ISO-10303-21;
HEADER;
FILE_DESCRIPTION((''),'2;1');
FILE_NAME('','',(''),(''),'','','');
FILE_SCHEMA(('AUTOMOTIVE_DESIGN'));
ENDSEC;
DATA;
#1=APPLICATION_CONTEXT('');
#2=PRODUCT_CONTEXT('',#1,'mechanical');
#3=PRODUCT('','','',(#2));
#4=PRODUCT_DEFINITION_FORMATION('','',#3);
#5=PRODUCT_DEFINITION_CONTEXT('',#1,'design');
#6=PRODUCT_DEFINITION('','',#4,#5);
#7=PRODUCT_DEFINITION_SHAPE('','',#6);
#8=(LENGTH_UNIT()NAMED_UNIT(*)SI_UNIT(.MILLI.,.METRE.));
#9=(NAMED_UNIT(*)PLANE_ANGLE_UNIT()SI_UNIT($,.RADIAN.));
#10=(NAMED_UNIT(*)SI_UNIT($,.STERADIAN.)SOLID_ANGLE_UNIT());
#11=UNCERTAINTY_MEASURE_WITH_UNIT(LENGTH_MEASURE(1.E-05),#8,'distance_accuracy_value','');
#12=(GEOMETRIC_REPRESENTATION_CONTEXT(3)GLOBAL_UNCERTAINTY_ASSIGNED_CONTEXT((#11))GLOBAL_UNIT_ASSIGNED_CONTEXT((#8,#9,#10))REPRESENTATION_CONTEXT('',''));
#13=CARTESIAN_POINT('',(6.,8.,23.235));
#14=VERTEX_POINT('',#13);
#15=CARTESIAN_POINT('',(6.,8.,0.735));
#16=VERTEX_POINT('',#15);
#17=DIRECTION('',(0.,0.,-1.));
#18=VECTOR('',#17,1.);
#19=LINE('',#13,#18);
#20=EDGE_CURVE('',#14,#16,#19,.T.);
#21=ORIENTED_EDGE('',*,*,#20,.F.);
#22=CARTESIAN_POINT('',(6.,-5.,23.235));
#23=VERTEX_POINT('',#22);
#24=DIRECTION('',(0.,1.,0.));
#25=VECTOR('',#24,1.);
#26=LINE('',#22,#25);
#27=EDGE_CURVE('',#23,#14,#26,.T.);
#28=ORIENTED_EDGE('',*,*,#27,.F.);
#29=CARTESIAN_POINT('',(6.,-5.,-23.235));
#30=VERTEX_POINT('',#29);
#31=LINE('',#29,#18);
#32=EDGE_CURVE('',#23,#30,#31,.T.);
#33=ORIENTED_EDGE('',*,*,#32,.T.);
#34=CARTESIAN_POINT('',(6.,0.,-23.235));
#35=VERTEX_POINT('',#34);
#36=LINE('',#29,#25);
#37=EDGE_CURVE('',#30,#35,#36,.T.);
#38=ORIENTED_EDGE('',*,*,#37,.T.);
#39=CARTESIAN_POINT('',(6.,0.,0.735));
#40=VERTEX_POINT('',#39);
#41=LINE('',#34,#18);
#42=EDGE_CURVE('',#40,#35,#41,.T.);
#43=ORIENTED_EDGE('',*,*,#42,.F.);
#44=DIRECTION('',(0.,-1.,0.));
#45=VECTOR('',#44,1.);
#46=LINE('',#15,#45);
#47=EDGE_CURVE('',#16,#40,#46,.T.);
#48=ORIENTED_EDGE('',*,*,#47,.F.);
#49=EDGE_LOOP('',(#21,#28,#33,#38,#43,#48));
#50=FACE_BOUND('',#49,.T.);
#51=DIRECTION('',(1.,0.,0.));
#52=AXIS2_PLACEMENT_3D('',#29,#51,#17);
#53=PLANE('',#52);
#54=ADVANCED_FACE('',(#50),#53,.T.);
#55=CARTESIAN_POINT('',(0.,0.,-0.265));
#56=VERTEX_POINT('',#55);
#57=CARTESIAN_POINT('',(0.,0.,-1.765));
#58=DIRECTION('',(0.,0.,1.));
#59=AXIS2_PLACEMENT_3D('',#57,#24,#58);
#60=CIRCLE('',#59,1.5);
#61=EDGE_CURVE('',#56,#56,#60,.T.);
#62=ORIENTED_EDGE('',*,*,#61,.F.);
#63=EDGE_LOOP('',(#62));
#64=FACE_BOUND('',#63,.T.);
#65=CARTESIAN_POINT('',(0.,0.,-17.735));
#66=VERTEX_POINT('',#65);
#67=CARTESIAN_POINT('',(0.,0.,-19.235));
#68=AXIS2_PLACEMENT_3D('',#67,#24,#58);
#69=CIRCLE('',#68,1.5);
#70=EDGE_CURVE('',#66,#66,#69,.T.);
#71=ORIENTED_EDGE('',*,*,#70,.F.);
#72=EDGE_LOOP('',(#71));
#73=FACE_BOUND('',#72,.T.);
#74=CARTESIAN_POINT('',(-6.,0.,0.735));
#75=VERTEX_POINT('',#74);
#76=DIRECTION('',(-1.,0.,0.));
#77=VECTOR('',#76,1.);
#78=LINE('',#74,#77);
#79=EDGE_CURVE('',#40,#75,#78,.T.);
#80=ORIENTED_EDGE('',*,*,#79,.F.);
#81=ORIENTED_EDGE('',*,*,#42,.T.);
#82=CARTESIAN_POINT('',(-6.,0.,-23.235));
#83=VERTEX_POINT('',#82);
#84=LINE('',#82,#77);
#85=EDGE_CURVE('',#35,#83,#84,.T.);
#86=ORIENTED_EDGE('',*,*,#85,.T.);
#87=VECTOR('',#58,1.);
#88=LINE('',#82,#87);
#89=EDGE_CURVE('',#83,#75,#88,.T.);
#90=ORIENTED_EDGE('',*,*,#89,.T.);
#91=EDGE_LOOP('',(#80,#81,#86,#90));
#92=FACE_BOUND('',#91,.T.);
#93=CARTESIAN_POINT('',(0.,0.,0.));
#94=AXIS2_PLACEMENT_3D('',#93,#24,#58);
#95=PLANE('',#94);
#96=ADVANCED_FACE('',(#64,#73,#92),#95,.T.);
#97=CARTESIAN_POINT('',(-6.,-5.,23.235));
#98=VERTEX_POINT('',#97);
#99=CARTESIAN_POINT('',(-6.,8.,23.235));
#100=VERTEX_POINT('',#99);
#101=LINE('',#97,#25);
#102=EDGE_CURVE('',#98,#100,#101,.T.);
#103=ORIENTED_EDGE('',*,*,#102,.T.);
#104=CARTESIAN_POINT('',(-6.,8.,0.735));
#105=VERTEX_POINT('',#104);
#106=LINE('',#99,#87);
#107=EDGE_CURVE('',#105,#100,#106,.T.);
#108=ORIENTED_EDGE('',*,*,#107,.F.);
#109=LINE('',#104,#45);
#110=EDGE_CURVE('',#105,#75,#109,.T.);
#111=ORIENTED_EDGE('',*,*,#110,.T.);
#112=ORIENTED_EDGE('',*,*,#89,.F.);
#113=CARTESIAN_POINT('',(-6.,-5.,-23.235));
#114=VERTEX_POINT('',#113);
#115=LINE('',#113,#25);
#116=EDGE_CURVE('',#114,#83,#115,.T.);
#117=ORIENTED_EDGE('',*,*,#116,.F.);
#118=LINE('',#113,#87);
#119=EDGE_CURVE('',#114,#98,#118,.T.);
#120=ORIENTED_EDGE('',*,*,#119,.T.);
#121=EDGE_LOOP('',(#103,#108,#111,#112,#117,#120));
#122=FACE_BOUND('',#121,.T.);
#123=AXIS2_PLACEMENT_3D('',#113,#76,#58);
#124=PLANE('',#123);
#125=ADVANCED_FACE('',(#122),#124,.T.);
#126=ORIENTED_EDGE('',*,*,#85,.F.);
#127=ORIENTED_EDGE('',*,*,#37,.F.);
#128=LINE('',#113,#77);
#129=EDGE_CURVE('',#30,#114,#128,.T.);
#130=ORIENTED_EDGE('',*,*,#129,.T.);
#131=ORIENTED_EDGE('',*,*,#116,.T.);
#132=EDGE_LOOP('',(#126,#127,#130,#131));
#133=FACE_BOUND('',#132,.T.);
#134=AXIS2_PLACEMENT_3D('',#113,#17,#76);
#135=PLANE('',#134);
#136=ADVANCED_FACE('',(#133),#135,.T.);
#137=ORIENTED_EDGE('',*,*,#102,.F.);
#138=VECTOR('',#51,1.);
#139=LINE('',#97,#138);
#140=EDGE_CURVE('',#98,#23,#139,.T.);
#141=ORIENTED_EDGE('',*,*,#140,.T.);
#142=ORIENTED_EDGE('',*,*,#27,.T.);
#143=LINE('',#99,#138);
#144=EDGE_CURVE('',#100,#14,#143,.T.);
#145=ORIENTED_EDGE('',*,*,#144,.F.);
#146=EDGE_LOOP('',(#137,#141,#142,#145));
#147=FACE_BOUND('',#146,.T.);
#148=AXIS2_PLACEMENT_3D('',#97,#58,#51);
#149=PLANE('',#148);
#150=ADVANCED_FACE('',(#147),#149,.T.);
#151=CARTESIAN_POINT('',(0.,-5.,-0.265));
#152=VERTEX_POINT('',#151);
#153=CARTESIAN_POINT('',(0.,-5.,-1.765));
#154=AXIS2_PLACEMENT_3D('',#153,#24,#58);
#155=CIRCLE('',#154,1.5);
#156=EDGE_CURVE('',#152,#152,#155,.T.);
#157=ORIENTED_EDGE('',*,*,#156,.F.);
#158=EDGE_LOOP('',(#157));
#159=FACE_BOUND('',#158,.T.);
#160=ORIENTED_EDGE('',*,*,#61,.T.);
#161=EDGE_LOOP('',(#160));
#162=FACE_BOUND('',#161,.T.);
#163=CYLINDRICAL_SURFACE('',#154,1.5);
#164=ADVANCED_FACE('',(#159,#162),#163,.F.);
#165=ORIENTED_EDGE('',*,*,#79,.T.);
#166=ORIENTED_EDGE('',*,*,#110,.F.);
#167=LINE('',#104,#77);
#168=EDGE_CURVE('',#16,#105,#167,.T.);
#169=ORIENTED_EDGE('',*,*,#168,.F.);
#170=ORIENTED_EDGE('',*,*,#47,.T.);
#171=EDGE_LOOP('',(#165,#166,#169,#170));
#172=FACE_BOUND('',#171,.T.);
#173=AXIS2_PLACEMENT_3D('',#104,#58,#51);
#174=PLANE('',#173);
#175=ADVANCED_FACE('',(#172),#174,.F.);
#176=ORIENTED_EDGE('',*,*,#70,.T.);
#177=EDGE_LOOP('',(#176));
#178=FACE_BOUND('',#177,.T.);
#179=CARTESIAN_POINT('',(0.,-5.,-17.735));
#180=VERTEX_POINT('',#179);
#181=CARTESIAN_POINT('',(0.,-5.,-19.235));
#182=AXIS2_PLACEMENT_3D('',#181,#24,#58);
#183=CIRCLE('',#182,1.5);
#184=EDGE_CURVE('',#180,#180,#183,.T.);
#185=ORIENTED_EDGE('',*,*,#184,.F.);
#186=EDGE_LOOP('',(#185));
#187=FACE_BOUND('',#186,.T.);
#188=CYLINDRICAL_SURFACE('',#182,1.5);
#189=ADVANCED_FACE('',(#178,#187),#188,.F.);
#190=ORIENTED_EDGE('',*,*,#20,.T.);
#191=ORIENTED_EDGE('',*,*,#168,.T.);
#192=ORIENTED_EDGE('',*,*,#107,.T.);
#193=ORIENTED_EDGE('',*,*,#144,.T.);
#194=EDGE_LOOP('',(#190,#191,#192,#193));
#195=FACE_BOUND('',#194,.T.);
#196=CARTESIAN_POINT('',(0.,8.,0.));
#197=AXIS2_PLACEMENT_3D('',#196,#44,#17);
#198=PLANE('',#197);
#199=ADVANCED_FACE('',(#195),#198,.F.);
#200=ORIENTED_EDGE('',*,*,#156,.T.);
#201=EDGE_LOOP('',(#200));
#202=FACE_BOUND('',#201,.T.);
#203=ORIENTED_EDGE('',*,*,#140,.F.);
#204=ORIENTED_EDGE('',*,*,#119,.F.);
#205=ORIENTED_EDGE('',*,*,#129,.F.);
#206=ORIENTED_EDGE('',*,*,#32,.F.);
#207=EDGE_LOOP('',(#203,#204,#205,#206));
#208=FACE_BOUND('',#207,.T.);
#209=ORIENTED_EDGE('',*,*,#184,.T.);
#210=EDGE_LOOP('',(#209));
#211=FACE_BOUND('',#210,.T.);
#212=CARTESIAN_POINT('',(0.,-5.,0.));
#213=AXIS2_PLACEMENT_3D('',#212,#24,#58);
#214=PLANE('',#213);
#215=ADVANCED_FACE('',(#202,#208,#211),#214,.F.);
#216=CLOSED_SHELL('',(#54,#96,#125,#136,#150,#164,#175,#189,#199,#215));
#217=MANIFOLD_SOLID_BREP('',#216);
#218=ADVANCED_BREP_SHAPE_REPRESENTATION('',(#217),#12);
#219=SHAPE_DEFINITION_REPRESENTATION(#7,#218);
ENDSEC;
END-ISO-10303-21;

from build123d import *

# Parameters (mm, degrees)
SKETCH1_W           = 12
SKETCH1_H           = 46.47
SKETCH1_R           = 1.5
BOSS_EXTRUDE1_DEPTH = 5
SKETCH2_W           = 12
SKETCH2_H           = 22.5
BOSS_EXTRUDE2_DEPTH = 8


with BuildPart() as part:
    # Sketch1 → Boss-Extrude1 (new body)
    with BuildSketch(Plane(origin=(0, 0, 0), x_dir=(1, 0, 0), z_dir=(0, 1, 0))):
        Rectangle(SKETCH1_W, SKETCH1_H)
        with Locations(Location((0, 19.235, 0), (0, 0, 270))):
            Circle(SKETCH1_R, mode=Mode.SUBTRACT)
        with Locations(Location((0, 1.765, 0), (0, 0, 270))):
            Circle(SKETCH1_R, mode=Mode.SUBTRACT)
    extrude(amount=-BOSS_EXTRUDE1_DEPTH)

    # Sketch2 → Boss-Extrude2 (add)
    with BuildSketch(Plane(origin=(0, 0, 0), x_dir=(1, 0, 0), z_dir=(0, 1, 0))):
        with Locations((0, -11.985)):
            Rectangle(SKETCH2_W, SKETCH2_H)
    extrude(amount=BOSS_EXTRUDE2_DEPTH)


solid = part.part
